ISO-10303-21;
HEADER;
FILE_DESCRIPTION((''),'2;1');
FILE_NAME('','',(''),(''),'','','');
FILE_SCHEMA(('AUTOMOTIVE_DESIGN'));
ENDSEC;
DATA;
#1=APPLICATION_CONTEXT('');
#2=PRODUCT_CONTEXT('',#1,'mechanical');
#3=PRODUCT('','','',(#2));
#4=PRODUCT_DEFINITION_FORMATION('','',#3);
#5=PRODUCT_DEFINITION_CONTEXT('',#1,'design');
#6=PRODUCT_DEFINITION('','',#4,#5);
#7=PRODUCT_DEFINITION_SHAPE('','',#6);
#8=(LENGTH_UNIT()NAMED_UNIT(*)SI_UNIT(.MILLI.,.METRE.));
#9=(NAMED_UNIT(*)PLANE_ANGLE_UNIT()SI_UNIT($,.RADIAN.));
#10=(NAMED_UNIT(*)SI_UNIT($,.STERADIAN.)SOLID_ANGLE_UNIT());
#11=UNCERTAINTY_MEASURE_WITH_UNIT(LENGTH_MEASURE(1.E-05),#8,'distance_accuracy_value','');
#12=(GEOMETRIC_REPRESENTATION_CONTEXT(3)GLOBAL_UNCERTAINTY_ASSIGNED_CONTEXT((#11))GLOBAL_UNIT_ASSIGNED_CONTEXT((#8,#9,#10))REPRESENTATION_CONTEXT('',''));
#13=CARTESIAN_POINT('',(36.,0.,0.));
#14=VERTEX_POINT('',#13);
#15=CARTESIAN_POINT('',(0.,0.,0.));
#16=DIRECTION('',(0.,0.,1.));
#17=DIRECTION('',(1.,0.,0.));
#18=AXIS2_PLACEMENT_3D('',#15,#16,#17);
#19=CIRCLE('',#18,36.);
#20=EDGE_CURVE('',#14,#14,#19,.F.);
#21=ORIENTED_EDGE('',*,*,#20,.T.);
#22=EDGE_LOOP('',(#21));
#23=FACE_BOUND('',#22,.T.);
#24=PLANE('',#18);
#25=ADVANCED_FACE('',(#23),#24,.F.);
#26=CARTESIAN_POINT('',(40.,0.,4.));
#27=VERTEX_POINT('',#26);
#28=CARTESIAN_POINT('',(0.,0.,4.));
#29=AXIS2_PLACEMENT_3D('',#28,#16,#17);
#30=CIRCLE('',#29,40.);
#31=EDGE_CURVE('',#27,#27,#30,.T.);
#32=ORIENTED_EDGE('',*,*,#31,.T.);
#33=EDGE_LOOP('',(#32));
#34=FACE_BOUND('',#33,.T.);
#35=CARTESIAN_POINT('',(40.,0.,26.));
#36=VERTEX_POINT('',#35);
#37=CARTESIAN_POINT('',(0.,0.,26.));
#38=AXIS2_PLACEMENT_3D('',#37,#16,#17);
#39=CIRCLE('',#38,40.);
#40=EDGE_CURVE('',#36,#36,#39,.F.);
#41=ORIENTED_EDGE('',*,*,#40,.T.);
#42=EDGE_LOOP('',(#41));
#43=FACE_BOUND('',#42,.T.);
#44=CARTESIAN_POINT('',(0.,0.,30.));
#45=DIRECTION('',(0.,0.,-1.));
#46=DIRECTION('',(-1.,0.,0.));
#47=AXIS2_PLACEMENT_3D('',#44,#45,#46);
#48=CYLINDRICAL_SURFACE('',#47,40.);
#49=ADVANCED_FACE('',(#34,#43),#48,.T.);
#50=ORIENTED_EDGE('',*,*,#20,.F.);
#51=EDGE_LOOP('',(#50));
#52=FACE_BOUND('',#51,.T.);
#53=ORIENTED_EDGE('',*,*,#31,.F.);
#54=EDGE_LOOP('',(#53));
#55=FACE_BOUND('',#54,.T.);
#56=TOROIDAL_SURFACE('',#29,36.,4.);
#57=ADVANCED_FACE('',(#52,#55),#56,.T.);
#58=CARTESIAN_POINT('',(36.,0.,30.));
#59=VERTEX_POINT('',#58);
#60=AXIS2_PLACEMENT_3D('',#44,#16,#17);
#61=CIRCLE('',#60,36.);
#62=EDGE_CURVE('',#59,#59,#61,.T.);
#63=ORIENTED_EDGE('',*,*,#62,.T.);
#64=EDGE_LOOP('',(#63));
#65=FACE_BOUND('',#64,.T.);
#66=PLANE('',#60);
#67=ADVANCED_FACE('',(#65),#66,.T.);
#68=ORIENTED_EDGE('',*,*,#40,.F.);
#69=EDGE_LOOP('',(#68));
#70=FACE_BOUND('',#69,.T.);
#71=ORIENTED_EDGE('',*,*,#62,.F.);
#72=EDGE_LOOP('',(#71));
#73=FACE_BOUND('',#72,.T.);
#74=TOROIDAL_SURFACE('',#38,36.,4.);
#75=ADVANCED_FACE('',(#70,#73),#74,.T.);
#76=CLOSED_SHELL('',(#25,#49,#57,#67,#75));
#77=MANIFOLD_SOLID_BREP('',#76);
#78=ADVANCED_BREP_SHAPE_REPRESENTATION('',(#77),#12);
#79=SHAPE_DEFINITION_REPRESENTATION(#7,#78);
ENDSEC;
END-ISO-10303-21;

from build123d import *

# Parameters (mm, degrees)
SKETCH_1_R      = 40
EXTRUDE_1_DEPTH = 30
FILLET_1_R      = 4


with BuildPart() as part:
    # 草图1 → 凸台-拉伸1 (new body)
    with BuildSketch(Plane.XY):
        Circle(SKETCH_1_R)
    extrude(amount=EXTRUDE_1_DEPTH)

    # 圆角1
    fillet_1_edges = [part.edges().sort_by_distance(p)[0] for p in [
        (-40, 0, 0),
        (-40, 0, 30),
    ]]
    fillet(fillet_1_edges, radius=FILLET_1_R)


solid = part.part
